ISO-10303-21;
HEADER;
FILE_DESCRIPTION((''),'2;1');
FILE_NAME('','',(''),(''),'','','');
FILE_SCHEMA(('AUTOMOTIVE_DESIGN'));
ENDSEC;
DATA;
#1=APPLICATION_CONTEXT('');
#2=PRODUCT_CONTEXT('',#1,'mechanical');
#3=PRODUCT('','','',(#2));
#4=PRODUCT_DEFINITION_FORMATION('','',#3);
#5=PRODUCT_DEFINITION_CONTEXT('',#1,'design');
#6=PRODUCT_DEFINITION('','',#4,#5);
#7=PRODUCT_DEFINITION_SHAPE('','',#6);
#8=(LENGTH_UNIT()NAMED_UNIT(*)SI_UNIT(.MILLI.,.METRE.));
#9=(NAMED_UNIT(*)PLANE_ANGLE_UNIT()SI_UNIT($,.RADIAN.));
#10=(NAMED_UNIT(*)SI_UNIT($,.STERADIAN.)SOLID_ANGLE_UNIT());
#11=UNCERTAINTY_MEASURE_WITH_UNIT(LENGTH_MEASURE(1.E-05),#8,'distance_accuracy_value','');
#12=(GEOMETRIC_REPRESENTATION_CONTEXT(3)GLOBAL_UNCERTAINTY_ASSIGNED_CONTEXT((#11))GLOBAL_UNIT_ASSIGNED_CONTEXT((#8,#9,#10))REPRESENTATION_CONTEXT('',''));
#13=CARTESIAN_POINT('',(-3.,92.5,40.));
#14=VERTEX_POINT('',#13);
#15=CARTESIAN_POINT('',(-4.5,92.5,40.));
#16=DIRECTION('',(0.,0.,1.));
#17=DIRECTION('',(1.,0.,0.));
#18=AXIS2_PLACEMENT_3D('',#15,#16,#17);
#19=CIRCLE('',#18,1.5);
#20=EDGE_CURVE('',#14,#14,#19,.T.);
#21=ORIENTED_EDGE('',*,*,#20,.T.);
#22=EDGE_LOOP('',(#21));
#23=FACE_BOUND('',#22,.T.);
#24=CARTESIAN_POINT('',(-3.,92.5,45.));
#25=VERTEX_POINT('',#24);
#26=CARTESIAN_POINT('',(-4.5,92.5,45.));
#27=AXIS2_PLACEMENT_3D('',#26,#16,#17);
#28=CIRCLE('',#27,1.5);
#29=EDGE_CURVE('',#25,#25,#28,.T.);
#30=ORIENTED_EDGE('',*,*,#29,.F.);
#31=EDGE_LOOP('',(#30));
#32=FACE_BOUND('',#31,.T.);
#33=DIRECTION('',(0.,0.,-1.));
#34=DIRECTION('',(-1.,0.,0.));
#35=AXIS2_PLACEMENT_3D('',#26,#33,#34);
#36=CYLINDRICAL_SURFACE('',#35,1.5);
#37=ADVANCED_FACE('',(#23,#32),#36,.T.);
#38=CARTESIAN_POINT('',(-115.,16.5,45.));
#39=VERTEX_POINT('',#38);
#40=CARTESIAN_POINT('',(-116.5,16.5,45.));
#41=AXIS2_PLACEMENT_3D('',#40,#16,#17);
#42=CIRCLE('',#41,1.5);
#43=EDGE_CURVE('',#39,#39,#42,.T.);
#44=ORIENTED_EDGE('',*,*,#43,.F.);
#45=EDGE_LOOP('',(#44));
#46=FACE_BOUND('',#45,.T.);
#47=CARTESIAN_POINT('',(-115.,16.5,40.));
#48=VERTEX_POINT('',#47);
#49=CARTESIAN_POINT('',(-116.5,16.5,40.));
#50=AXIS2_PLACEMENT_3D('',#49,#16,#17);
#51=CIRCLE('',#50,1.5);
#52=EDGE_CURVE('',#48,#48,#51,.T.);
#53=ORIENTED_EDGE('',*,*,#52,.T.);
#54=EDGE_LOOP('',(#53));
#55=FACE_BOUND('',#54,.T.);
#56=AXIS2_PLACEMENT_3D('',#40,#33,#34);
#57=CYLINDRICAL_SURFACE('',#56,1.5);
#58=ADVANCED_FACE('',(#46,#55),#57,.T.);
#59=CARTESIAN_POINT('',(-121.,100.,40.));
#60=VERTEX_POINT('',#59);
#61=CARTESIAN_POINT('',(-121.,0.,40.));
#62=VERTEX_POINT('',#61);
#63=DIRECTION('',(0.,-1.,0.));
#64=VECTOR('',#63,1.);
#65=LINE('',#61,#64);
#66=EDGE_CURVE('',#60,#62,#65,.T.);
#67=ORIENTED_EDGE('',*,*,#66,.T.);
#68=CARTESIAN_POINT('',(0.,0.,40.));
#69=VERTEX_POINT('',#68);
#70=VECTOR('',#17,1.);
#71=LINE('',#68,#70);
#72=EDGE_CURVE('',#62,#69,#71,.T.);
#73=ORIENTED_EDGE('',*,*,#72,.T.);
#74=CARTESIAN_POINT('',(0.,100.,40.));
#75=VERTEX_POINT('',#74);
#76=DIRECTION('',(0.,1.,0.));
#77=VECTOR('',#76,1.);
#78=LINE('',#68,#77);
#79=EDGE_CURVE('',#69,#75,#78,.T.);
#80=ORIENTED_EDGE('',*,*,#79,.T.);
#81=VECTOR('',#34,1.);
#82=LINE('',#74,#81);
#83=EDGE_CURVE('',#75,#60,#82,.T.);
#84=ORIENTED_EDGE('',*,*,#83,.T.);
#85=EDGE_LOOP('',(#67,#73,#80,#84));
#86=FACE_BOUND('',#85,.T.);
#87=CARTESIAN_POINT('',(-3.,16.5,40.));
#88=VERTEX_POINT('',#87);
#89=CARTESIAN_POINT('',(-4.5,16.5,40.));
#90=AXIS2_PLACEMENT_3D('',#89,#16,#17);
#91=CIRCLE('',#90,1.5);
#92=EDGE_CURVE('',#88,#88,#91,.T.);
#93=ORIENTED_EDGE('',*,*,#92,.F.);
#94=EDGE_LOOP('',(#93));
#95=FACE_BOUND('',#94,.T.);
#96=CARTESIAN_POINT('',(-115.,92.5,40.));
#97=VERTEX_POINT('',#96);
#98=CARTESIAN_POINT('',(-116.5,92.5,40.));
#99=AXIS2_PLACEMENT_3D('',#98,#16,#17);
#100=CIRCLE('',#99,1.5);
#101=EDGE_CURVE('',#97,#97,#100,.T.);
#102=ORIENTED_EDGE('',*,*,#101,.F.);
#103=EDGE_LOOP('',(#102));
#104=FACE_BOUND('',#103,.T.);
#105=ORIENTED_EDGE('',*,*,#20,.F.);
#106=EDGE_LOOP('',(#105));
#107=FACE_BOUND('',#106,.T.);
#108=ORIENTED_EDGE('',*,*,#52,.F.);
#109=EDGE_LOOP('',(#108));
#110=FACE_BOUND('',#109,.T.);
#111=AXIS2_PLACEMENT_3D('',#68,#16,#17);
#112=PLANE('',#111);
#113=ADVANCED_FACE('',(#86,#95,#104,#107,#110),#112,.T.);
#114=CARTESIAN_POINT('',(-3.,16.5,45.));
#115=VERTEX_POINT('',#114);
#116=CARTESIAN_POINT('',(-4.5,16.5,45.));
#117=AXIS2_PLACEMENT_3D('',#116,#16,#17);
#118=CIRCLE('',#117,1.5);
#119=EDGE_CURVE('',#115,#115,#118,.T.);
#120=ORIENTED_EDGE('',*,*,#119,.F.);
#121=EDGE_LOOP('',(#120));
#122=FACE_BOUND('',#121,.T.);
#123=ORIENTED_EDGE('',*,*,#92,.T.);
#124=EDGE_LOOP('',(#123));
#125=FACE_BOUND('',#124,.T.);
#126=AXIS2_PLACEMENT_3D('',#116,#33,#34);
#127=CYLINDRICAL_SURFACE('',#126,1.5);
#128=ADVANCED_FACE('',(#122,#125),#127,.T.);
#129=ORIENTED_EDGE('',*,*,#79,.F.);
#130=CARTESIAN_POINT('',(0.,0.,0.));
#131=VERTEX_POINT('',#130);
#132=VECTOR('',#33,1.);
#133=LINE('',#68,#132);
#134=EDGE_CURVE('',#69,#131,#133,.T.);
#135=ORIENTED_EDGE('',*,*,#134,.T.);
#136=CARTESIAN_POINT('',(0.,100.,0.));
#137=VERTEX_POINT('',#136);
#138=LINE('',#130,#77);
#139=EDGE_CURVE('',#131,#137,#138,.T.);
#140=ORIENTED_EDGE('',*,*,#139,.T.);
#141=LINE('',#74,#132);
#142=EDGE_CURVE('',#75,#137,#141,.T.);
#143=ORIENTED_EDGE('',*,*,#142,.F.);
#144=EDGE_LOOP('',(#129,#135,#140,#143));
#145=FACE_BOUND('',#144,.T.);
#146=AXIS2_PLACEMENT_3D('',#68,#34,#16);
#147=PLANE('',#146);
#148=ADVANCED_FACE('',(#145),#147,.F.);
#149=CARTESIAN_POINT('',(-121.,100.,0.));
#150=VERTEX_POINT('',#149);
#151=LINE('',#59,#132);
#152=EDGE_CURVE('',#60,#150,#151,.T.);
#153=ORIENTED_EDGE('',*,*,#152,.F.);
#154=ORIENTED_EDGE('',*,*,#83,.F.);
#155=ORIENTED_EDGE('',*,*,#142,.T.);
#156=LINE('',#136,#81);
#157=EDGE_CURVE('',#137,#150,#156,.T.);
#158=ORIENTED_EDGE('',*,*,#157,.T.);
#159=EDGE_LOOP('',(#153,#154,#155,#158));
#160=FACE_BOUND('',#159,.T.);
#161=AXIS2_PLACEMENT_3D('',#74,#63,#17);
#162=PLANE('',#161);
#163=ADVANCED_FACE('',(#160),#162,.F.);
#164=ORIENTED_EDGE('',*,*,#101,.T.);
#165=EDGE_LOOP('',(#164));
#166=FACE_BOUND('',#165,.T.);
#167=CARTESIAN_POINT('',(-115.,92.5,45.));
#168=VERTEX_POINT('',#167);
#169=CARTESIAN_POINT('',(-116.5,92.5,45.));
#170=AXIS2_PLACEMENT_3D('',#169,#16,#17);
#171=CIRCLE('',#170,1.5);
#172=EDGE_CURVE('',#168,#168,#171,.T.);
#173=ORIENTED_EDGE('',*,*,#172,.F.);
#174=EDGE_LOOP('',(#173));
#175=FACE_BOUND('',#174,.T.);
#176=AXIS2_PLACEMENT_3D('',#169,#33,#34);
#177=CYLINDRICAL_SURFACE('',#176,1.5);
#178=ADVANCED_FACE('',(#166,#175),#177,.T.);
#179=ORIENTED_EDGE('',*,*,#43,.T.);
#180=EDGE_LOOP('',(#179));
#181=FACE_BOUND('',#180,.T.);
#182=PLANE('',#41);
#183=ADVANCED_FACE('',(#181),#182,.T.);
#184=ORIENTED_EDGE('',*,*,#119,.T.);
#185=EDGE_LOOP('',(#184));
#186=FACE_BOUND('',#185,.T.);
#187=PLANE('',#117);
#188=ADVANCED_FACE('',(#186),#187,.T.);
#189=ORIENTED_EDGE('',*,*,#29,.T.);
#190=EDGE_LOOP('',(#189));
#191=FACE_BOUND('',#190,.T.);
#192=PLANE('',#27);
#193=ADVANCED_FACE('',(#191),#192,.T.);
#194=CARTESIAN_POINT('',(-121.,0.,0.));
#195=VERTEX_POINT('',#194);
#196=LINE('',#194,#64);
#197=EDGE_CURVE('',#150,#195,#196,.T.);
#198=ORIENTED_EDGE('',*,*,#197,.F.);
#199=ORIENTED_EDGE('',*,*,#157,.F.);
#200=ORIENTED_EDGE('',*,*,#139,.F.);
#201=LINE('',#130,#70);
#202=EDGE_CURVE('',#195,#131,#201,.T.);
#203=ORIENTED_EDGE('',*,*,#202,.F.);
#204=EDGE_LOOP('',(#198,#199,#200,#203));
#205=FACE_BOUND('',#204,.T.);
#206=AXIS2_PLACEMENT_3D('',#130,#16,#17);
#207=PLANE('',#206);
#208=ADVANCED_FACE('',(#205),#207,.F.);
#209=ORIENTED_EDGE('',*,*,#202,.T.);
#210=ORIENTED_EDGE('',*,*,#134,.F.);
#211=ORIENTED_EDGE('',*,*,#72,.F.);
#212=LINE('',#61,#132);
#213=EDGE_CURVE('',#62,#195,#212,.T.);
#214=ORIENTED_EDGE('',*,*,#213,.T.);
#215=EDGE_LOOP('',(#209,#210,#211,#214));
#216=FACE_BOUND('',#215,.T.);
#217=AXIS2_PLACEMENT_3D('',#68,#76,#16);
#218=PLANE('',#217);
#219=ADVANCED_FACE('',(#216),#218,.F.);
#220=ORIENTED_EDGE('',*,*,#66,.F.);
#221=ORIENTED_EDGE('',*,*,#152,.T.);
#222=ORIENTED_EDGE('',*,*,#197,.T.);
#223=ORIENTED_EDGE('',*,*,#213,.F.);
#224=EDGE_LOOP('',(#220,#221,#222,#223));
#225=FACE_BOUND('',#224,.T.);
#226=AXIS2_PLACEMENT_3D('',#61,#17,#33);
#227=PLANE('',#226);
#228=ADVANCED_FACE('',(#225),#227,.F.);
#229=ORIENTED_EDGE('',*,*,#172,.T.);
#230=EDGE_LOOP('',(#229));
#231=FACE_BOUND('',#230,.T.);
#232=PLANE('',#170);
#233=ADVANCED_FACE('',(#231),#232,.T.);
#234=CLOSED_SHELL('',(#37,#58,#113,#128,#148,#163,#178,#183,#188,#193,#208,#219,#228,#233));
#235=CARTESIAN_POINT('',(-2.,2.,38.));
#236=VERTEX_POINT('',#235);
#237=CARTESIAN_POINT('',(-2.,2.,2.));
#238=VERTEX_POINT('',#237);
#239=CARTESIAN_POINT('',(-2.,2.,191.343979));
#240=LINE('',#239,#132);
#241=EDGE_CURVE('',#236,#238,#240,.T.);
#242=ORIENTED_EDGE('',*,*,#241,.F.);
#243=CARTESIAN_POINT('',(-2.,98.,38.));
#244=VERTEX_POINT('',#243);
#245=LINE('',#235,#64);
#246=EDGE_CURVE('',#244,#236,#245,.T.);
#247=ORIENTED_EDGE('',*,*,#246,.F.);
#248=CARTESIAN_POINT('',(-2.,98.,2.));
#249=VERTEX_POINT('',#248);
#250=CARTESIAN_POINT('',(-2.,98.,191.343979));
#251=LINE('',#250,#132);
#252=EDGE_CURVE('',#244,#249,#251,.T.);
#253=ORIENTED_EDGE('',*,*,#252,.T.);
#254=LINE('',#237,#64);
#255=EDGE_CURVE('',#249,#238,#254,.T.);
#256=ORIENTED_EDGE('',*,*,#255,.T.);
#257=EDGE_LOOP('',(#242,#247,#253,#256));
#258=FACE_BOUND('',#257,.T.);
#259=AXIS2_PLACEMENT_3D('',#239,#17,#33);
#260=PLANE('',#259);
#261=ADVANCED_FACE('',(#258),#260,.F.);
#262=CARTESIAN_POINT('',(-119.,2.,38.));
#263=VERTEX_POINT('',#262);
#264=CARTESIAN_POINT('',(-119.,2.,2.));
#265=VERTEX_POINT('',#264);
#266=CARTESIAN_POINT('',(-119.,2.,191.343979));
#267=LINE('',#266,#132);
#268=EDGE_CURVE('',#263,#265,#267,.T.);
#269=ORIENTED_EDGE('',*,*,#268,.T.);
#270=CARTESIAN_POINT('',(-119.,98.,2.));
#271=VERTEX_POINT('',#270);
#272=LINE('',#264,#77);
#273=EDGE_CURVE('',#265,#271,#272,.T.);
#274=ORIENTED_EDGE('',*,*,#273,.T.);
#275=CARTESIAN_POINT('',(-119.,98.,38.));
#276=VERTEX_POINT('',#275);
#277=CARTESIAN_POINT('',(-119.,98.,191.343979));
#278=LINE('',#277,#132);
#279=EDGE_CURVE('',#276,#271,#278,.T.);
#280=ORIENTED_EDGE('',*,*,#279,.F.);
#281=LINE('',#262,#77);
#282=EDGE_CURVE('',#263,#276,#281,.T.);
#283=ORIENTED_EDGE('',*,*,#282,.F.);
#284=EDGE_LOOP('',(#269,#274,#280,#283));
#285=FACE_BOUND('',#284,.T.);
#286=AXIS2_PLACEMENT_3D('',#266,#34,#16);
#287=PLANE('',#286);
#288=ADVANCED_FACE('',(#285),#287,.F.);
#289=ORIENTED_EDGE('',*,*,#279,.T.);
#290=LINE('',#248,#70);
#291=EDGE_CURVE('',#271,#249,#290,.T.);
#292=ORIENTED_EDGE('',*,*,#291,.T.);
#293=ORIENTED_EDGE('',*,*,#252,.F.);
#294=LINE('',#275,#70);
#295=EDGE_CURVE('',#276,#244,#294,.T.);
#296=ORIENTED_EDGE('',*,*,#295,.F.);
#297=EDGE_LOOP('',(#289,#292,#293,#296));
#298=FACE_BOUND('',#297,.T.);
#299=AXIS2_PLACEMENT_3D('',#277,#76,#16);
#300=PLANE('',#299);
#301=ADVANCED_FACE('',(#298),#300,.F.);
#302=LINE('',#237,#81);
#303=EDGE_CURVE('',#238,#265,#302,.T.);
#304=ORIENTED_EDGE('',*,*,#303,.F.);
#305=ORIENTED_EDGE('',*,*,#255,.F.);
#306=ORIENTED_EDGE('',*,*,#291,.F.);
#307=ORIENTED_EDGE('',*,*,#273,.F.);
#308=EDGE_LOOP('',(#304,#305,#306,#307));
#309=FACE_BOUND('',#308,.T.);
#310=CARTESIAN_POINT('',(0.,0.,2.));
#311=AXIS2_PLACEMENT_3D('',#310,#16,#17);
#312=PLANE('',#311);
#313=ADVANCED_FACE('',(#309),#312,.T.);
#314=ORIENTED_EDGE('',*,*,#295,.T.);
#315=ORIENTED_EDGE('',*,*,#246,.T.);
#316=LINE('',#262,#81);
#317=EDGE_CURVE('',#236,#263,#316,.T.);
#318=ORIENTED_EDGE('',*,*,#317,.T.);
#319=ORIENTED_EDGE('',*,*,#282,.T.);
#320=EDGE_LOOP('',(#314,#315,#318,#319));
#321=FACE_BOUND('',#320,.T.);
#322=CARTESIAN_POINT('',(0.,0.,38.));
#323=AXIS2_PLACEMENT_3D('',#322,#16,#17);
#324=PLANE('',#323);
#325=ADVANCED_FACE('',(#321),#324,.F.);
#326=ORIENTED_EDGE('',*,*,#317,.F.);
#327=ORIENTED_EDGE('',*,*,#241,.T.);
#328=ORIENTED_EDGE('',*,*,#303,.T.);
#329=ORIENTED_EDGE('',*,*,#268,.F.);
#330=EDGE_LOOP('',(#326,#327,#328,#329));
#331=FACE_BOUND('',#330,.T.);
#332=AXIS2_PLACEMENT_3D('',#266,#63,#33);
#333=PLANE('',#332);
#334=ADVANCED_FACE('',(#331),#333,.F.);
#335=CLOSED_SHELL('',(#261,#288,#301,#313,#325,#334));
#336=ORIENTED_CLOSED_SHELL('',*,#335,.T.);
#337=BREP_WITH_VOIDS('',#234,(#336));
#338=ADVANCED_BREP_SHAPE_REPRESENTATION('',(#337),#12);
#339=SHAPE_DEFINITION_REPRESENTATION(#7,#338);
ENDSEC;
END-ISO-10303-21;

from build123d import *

# Parameters (mm, degrees)
SKETCH_1_W          = 121
SKETCH_1_H          = 100
EXTRUDE_1_DEPTH     = 40
SKETCH_2_R          = 1.5
EXTRUDE_2_DEPTH     = 5
SKETCH_3_W          = 117
SKETCH_3_H          = 96
CUT_EXTRUDE_1_DEPTH = 38
SKETCH_4_W          = 117
SKETCH_4_H          = 96
EXTRUDE_3_DEPTH     = 2


with BuildPart() as part:
    # 草图1 → 凸台-拉伸1 (new body)
    with BuildSketch(Plane.XY):
        with Locations((-60.5, 50)):
            Rectangle(SKETCH_1_W, SKETCH_1_H)
    extrude(amount=EXTRUDE_1_DEPTH)

    # 草图2 → 凸台-拉伸2 (add)
    with BuildSketch(Plane.XY.offset(40)):
        with Locations((-116.5, 92.5)):
            Circle(SKETCH_2_R)
        with Locations((-4.5, 92.5)):
            Circle(SKETCH_2_R)
        with Locations((-116.5, 16.5)):
            Circle(SKETCH_2_R)
        with Locations((-4.5, 16.5)):
            Circle(SKETCH_2_R)
    extrude(amount=EXTRUDE_2_DEPTH)

    # 草图3 → 切除-拉伸1 (cut)
    with BuildSketch(Plane(origin=(0, 0, 0), x_dir=(-1, 0, 0), z_dir=(0, 0, -1))):
        with Locations((60.5, 50)):
            Rectangle(SKETCH_3_W, SKETCH_3_H)
    extrude(amount=-CUT_EXTRUDE_1_DEPTH, mode=Mode.SUBTRACT)

    # 草图4 → 凸台-拉伸3 (add)
    with BuildSketch(Plane(origin=(0, 0, 0), x_dir=(-1, 0, 0), z_dir=(0, 0, -1))):
        with Locations((60.5, 50)):
            Rectangle(SKETCH_4_W, SKETCH_4_H)
    extrude(amount=-EXTRUDE_3_DEPTH)


solid = part.part
